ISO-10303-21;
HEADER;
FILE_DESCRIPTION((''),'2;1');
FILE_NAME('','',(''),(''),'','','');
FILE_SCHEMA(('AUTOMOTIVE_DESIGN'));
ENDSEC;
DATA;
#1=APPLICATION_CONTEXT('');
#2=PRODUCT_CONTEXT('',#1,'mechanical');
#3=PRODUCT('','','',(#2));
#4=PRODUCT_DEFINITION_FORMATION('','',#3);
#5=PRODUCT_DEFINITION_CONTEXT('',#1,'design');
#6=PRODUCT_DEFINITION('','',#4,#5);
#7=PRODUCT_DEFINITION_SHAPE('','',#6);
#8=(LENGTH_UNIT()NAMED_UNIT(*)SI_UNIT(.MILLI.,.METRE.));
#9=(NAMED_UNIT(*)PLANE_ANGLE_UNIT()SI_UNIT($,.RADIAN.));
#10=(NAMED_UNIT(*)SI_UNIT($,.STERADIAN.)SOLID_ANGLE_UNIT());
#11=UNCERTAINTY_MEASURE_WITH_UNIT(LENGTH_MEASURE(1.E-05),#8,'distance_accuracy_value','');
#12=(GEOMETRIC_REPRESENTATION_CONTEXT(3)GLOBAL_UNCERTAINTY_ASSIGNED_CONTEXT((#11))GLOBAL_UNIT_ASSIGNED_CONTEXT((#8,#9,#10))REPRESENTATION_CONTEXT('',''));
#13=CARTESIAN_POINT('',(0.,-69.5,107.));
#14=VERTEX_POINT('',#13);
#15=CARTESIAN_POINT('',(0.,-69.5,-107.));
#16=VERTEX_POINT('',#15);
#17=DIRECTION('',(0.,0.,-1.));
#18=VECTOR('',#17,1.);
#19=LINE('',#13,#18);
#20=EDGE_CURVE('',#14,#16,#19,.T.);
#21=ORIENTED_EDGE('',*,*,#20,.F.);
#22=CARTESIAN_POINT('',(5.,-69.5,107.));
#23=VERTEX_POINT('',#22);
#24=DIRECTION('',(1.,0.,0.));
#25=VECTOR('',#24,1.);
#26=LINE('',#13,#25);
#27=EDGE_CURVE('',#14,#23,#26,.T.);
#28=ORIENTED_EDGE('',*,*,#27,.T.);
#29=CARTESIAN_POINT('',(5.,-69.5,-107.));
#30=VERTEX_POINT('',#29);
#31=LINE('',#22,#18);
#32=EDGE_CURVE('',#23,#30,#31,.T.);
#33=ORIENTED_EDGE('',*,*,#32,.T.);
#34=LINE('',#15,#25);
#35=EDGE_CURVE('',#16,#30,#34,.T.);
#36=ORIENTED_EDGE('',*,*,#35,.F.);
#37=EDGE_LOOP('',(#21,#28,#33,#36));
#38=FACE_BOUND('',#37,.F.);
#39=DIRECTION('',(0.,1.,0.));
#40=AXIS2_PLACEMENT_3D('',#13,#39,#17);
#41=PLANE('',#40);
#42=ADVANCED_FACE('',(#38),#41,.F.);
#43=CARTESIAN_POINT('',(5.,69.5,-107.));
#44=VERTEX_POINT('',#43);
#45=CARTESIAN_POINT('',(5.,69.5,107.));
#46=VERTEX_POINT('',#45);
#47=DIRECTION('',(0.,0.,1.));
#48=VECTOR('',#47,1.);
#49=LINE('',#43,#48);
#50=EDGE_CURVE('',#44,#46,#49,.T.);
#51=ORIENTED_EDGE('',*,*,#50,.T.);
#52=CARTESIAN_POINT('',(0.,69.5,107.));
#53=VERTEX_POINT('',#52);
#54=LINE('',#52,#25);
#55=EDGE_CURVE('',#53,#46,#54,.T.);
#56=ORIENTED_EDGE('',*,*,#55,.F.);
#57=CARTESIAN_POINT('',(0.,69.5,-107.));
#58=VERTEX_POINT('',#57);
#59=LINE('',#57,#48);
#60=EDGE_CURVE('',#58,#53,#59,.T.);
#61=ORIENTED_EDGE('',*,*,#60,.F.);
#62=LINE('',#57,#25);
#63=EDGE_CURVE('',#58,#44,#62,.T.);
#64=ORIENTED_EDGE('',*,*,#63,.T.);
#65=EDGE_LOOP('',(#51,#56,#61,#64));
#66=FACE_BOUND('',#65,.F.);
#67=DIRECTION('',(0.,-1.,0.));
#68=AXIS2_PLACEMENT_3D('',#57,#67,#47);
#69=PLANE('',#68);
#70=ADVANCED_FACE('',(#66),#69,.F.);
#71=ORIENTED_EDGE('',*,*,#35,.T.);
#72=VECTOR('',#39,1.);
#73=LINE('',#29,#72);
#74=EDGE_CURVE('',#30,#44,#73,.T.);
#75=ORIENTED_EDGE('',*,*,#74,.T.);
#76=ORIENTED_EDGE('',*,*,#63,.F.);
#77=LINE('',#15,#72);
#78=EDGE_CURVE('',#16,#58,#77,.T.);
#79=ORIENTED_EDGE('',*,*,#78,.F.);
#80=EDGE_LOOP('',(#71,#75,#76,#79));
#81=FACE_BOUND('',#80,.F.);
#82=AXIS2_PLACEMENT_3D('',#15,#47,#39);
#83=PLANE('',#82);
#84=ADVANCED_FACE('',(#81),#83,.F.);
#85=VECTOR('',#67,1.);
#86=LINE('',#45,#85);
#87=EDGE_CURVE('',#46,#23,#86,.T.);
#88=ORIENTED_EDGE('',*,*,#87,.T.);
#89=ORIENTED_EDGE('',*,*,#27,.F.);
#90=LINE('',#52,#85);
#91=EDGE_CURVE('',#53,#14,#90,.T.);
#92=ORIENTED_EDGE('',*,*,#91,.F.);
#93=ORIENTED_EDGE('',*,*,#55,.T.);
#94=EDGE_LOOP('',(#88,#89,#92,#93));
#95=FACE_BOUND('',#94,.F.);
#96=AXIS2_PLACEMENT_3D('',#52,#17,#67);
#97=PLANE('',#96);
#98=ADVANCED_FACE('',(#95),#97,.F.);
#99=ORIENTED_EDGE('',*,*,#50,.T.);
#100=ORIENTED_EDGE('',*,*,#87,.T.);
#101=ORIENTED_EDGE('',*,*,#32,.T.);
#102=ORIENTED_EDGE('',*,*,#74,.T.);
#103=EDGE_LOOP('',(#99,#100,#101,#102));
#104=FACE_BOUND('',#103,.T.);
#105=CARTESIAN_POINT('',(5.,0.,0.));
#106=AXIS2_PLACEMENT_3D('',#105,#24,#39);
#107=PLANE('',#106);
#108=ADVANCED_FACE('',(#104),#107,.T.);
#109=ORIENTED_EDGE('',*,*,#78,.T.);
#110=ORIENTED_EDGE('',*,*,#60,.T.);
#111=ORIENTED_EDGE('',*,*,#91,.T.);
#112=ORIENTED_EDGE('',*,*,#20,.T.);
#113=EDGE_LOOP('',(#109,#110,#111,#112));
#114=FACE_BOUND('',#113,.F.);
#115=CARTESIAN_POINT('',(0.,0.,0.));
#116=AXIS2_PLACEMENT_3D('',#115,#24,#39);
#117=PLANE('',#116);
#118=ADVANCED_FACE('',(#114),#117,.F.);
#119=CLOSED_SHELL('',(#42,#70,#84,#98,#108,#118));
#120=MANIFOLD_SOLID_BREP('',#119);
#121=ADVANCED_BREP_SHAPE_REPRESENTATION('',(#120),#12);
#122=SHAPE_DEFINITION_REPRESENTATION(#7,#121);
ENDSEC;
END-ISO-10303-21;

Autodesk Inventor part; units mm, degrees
ref_plane "YZ Plane" through (0, 0, 0) normal (1, 0, 0) x (0, 1, 0)
ref_plane "XZ Plane" through (0, 0, 0) normal (0, 1, 0) x (-1, 0, 0)
ref_plane "XY Plane" through (0, 0, 0) normal (0, 0, 1) x (1, 0, 0)
sketch "Sketch1" plane through (0, 0, 0) normal (1, 0, 0) x (0, 1, 0)
  line L0 (69.5, 107) -> (-69.5, 107)
  line L1 (-69.5, 107) -> (-69.5, -107)
  line L2 (-69.5, -107) -> (69.5, -107)
  line L3 (69.5, -107) -> (69.5, 107)
  point P0 (0, 0)
  dimension "d0" = 139
  dimension "d1" = 214
  dimension "d2" = 107
  dimension "d3" = 69.5
extrude "Extrusion1" add sketch "Sketch1" along normal blind 5
properties part number "Pared_lateral_estructura"
